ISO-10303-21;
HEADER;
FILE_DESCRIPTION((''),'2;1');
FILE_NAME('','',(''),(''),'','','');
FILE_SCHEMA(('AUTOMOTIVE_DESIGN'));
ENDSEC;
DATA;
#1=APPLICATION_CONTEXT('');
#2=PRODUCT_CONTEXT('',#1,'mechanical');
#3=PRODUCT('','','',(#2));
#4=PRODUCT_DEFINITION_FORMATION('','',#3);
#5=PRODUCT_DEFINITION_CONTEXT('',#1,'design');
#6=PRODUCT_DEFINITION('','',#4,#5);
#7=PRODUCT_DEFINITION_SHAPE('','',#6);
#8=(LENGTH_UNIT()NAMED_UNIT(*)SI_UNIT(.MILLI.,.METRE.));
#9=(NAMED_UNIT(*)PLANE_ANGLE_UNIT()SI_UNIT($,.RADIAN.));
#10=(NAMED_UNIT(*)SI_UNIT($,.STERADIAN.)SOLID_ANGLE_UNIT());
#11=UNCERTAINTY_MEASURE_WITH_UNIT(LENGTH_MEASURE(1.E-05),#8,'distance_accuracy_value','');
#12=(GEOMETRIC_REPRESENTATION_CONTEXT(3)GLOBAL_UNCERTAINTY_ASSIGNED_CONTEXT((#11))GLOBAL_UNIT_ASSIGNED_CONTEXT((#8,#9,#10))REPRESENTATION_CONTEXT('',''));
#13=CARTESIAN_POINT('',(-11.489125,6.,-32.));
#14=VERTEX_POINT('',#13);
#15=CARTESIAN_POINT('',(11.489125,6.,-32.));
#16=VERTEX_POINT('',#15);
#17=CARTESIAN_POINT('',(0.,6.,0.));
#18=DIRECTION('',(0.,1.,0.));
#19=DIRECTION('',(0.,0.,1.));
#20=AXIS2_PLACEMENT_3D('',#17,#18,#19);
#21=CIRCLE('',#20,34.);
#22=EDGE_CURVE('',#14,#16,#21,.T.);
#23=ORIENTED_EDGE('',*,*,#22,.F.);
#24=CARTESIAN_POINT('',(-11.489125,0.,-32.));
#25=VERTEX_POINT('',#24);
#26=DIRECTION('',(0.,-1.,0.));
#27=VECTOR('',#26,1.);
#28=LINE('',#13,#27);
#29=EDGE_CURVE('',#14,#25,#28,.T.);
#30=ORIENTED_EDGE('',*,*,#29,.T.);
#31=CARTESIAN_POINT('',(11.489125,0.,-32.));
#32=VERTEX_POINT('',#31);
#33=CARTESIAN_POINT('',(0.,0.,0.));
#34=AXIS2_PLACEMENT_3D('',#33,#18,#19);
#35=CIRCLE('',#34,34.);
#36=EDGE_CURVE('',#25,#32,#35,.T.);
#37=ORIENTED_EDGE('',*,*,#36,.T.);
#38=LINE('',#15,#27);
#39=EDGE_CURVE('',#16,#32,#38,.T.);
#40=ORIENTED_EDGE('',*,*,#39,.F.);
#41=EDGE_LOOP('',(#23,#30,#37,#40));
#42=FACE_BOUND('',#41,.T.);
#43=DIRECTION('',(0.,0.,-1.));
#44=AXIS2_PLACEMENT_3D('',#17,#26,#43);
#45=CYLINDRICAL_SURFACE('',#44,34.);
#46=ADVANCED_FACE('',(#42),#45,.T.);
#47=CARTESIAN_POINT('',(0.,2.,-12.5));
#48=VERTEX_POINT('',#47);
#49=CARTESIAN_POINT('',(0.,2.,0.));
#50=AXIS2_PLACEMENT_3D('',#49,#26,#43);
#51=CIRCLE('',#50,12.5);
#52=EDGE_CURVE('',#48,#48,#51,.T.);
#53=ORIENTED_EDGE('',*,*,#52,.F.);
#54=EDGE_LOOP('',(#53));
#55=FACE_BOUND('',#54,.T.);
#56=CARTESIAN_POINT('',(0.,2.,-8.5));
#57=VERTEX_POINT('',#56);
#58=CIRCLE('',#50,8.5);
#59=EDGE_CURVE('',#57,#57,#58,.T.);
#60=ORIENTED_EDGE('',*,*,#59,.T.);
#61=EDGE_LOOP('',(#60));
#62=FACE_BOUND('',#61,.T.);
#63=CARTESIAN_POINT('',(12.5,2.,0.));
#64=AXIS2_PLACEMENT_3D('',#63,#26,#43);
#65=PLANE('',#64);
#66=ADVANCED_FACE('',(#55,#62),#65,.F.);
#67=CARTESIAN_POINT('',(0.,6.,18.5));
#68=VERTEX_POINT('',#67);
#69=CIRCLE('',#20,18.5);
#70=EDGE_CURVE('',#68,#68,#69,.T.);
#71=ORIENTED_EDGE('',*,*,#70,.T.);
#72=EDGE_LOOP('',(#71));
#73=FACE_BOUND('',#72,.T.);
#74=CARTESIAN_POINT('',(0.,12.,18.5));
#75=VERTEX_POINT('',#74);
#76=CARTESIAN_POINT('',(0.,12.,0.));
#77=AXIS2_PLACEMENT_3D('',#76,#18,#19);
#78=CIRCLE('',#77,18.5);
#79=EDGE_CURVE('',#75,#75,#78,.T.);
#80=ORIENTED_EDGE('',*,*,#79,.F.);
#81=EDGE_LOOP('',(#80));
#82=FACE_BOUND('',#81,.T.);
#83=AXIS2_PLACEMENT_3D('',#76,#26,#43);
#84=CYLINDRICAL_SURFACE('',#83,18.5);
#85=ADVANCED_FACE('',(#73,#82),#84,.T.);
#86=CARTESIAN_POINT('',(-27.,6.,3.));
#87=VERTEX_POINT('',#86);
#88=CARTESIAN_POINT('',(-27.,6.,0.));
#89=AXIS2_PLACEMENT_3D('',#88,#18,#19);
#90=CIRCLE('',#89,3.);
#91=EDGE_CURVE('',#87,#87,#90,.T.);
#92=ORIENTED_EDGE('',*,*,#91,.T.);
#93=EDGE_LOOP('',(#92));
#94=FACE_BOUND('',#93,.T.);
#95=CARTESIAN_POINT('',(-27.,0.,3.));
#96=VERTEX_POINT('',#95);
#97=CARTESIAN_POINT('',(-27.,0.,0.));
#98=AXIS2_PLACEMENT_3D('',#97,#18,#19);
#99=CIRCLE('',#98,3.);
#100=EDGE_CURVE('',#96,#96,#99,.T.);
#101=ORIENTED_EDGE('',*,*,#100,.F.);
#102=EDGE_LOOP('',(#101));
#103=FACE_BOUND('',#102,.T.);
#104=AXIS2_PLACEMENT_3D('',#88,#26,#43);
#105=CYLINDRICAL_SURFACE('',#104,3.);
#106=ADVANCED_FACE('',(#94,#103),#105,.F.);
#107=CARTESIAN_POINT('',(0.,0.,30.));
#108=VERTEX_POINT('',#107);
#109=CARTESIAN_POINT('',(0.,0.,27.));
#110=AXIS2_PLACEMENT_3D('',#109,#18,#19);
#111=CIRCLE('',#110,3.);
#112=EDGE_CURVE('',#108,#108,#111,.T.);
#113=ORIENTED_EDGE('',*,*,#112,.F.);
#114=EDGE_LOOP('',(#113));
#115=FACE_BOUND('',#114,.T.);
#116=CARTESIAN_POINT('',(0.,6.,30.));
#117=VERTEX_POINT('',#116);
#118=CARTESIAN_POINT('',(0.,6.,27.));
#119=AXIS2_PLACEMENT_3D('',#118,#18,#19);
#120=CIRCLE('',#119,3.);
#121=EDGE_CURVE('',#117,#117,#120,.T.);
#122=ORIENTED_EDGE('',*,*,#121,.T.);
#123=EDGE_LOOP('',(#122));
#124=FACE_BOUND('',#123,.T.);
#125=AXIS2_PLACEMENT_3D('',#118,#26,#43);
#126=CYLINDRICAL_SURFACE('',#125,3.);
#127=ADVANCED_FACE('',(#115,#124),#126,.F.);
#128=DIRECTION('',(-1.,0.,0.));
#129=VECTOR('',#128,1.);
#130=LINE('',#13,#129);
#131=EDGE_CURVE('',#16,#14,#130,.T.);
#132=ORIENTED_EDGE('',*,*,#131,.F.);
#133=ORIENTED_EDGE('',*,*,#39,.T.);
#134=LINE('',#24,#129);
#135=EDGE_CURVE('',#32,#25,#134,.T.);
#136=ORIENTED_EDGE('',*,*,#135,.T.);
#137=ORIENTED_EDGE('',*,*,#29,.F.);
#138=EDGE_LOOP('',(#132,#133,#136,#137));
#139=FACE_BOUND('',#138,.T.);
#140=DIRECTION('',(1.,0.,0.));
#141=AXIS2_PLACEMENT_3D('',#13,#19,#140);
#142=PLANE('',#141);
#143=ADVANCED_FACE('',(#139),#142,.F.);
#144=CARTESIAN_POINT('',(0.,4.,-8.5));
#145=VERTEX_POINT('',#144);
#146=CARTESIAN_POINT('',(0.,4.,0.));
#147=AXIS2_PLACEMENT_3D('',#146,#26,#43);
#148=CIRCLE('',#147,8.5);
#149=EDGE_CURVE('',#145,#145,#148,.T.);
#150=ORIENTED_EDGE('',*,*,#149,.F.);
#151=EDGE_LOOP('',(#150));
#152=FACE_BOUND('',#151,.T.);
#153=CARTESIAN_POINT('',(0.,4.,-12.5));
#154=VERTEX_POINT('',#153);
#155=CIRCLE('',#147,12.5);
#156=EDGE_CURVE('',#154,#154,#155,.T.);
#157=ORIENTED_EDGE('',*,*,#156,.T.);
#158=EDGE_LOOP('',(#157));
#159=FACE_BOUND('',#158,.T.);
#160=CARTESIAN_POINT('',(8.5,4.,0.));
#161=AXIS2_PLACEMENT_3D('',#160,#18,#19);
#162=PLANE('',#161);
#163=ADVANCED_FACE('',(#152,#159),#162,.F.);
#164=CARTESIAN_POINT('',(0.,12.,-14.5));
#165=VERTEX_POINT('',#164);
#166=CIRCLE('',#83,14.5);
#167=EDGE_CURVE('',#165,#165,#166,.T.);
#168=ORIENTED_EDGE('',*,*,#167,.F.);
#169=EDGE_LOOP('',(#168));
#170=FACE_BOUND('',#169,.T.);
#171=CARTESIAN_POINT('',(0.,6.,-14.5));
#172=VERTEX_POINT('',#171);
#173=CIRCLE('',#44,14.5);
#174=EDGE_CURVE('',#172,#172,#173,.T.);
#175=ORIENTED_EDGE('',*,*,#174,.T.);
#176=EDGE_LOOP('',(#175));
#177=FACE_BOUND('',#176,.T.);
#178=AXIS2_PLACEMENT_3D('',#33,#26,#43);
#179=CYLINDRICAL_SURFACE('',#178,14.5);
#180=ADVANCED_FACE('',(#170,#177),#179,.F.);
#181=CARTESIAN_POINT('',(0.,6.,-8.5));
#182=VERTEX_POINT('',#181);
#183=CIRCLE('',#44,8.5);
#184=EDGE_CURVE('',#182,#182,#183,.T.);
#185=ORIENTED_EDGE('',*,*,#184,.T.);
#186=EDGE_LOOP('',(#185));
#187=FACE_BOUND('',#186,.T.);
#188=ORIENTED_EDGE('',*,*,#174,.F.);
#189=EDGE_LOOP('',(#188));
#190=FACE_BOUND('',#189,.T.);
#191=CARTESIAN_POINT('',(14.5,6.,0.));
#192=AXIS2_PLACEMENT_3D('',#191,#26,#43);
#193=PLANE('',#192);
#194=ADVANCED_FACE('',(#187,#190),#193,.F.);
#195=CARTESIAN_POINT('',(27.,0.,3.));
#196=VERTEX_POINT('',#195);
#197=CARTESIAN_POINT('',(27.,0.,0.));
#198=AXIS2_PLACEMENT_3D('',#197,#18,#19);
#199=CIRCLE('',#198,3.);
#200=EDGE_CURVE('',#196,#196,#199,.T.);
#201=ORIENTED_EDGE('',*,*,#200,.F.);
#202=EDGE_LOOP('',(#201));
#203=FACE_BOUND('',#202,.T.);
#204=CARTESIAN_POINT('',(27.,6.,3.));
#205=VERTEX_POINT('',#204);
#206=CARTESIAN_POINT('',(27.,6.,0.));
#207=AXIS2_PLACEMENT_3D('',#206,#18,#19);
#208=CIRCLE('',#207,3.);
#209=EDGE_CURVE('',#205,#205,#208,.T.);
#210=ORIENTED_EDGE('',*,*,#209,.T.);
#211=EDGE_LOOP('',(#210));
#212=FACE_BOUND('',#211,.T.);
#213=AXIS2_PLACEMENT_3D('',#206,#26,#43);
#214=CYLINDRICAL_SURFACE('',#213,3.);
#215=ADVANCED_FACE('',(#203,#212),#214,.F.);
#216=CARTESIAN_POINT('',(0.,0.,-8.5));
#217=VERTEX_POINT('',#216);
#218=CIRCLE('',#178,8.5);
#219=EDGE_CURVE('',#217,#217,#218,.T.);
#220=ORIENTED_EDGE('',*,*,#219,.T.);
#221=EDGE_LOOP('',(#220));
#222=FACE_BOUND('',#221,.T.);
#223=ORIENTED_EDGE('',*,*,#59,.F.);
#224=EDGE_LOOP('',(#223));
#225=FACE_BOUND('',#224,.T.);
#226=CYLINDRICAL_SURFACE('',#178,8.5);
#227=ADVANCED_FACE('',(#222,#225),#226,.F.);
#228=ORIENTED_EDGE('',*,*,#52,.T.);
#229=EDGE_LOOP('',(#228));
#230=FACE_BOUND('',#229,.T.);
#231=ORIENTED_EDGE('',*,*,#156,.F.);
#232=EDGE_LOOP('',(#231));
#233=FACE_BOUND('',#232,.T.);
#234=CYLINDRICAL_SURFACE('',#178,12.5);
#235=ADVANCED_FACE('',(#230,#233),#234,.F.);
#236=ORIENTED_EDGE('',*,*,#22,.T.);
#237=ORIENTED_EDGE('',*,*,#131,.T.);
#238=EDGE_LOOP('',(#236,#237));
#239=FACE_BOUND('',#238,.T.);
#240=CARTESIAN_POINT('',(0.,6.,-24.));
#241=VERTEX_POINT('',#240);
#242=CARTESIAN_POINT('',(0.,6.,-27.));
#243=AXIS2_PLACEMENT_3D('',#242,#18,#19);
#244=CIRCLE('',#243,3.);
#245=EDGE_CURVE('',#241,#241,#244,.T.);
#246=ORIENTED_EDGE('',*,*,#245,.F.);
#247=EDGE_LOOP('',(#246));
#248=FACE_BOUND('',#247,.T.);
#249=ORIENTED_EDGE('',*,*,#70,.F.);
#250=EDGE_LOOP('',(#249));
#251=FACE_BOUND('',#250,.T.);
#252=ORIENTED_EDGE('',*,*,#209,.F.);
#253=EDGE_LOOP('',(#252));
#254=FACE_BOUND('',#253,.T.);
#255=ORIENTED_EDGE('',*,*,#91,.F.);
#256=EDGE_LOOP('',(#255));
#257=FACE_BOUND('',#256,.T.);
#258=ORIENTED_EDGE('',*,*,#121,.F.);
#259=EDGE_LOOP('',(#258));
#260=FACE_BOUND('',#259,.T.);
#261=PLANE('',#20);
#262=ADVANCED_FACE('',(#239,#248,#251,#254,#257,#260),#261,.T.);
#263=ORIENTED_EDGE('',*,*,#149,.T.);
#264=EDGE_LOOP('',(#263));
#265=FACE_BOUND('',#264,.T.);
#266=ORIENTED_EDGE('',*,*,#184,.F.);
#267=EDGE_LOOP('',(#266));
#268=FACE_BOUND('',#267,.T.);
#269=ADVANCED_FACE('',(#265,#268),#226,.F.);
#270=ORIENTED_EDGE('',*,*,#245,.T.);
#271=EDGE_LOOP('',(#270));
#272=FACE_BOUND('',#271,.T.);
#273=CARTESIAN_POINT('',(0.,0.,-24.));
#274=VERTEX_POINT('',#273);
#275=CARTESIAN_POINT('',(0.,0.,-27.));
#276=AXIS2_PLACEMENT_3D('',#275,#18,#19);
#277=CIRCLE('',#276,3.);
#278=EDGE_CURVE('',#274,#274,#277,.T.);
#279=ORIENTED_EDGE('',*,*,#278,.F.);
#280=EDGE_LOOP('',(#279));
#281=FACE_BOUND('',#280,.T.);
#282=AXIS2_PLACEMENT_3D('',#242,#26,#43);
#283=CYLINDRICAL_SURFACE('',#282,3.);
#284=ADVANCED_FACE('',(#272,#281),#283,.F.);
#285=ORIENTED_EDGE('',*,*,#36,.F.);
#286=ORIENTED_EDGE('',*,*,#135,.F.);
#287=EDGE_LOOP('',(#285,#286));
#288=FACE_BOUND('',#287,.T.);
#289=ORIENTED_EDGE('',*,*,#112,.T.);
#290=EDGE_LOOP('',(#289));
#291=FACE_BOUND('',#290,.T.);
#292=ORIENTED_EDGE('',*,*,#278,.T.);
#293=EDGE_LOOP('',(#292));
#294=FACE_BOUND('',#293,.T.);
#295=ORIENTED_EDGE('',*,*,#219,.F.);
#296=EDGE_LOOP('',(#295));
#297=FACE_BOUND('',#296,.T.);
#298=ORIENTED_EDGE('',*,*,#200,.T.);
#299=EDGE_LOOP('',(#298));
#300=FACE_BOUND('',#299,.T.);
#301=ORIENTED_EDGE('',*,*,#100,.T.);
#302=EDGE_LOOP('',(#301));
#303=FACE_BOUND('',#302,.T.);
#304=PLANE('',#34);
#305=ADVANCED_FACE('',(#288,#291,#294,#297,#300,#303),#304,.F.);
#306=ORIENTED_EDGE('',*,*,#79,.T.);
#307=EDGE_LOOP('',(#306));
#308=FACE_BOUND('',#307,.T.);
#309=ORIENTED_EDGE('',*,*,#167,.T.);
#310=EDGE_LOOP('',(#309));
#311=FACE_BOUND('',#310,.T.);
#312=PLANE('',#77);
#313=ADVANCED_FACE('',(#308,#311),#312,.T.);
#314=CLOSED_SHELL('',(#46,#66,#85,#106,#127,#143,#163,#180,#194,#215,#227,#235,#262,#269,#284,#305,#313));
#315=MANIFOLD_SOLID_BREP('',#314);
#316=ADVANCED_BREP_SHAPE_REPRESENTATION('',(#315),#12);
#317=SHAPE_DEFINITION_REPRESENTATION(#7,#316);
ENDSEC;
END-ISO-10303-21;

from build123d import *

# Parameters (mm, degrees)
SKETCH_1_R      = 3
EXTRUDE_1_DEPTH = 6
SKETCH_2_R      = 18.5
EXTRUDE_2_DEPTH = 6


with BuildPart() as part:
    # 草图1 → 凸台-拉伸1 (new body)
    with BuildSketch(Plane(origin=(0, 0, 0), x_dir=(1, 0, 0), z_dir=(0, 1, 0))):
        with BuildLine():
            Line((-11.489125293, 32), (11.489125293, 32))
            ThreePointArc((11.489125293, 32), (0, -34), (-11.489125293, 32))
        make_face()
        with Locations(Location((0, 27, 0), (0, 0, 270))):
            Circle(SKETCH_1_R, mode=Mode.SUBTRACT)
        with Locations(Location((27, 0, 0), (0, 0, 270))):
            Circle(SKETCH_1_R, mode=Mode.SUBTRACT)
        with Locations(Location((0, -27, 0), (0, 0, 270))):
            Circle(SKETCH_1_R, mode=Mode.SUBTRACT)
        with Locations(Location((-27, 0, 0), (0, 0, 270))):
            Circle(SKETCH_1_R, mode=Mode.SUBTRACT)
    extrude(amount=EXTRUDE_1_DEPTH)

    # 草图2 → 凸台-拉伸2 (add)
    with BuildSketch(Plane(origin=(0, 6, 0), x_dir=(1, 0, 0), z_dir=(0, 1, 0))):
        with Locations(Location((0, 0, 0), (0, 0, 270))):
            Circle(SKETCH_2_R)
    extrude(amount=EXTRUDE_2_DEPTH)

    # 草图3 → 切除-旋转1 (revolve, cut)
    with BuildSketch(Plane.XY, mode=Mode.PRIVATE) as cut_revolve_1_sk:
        Polygon((0, 12), (14.5, 12), (14.5, 6), (8.5, 6), (8.5, 4), (12.5, 4), (12.5, 2), (8.5, 2), (8.5, 0), (0, 0), align=None)
    revolve(cut_revolve_1_sk.sketch.rotate(Axis((0, 0, 0), (0, 1, 0)), 90), axis=Axis((0, 0, 0), (0, 1, 0)), mode=Mode.SUBTRACT)


solid = part.part
